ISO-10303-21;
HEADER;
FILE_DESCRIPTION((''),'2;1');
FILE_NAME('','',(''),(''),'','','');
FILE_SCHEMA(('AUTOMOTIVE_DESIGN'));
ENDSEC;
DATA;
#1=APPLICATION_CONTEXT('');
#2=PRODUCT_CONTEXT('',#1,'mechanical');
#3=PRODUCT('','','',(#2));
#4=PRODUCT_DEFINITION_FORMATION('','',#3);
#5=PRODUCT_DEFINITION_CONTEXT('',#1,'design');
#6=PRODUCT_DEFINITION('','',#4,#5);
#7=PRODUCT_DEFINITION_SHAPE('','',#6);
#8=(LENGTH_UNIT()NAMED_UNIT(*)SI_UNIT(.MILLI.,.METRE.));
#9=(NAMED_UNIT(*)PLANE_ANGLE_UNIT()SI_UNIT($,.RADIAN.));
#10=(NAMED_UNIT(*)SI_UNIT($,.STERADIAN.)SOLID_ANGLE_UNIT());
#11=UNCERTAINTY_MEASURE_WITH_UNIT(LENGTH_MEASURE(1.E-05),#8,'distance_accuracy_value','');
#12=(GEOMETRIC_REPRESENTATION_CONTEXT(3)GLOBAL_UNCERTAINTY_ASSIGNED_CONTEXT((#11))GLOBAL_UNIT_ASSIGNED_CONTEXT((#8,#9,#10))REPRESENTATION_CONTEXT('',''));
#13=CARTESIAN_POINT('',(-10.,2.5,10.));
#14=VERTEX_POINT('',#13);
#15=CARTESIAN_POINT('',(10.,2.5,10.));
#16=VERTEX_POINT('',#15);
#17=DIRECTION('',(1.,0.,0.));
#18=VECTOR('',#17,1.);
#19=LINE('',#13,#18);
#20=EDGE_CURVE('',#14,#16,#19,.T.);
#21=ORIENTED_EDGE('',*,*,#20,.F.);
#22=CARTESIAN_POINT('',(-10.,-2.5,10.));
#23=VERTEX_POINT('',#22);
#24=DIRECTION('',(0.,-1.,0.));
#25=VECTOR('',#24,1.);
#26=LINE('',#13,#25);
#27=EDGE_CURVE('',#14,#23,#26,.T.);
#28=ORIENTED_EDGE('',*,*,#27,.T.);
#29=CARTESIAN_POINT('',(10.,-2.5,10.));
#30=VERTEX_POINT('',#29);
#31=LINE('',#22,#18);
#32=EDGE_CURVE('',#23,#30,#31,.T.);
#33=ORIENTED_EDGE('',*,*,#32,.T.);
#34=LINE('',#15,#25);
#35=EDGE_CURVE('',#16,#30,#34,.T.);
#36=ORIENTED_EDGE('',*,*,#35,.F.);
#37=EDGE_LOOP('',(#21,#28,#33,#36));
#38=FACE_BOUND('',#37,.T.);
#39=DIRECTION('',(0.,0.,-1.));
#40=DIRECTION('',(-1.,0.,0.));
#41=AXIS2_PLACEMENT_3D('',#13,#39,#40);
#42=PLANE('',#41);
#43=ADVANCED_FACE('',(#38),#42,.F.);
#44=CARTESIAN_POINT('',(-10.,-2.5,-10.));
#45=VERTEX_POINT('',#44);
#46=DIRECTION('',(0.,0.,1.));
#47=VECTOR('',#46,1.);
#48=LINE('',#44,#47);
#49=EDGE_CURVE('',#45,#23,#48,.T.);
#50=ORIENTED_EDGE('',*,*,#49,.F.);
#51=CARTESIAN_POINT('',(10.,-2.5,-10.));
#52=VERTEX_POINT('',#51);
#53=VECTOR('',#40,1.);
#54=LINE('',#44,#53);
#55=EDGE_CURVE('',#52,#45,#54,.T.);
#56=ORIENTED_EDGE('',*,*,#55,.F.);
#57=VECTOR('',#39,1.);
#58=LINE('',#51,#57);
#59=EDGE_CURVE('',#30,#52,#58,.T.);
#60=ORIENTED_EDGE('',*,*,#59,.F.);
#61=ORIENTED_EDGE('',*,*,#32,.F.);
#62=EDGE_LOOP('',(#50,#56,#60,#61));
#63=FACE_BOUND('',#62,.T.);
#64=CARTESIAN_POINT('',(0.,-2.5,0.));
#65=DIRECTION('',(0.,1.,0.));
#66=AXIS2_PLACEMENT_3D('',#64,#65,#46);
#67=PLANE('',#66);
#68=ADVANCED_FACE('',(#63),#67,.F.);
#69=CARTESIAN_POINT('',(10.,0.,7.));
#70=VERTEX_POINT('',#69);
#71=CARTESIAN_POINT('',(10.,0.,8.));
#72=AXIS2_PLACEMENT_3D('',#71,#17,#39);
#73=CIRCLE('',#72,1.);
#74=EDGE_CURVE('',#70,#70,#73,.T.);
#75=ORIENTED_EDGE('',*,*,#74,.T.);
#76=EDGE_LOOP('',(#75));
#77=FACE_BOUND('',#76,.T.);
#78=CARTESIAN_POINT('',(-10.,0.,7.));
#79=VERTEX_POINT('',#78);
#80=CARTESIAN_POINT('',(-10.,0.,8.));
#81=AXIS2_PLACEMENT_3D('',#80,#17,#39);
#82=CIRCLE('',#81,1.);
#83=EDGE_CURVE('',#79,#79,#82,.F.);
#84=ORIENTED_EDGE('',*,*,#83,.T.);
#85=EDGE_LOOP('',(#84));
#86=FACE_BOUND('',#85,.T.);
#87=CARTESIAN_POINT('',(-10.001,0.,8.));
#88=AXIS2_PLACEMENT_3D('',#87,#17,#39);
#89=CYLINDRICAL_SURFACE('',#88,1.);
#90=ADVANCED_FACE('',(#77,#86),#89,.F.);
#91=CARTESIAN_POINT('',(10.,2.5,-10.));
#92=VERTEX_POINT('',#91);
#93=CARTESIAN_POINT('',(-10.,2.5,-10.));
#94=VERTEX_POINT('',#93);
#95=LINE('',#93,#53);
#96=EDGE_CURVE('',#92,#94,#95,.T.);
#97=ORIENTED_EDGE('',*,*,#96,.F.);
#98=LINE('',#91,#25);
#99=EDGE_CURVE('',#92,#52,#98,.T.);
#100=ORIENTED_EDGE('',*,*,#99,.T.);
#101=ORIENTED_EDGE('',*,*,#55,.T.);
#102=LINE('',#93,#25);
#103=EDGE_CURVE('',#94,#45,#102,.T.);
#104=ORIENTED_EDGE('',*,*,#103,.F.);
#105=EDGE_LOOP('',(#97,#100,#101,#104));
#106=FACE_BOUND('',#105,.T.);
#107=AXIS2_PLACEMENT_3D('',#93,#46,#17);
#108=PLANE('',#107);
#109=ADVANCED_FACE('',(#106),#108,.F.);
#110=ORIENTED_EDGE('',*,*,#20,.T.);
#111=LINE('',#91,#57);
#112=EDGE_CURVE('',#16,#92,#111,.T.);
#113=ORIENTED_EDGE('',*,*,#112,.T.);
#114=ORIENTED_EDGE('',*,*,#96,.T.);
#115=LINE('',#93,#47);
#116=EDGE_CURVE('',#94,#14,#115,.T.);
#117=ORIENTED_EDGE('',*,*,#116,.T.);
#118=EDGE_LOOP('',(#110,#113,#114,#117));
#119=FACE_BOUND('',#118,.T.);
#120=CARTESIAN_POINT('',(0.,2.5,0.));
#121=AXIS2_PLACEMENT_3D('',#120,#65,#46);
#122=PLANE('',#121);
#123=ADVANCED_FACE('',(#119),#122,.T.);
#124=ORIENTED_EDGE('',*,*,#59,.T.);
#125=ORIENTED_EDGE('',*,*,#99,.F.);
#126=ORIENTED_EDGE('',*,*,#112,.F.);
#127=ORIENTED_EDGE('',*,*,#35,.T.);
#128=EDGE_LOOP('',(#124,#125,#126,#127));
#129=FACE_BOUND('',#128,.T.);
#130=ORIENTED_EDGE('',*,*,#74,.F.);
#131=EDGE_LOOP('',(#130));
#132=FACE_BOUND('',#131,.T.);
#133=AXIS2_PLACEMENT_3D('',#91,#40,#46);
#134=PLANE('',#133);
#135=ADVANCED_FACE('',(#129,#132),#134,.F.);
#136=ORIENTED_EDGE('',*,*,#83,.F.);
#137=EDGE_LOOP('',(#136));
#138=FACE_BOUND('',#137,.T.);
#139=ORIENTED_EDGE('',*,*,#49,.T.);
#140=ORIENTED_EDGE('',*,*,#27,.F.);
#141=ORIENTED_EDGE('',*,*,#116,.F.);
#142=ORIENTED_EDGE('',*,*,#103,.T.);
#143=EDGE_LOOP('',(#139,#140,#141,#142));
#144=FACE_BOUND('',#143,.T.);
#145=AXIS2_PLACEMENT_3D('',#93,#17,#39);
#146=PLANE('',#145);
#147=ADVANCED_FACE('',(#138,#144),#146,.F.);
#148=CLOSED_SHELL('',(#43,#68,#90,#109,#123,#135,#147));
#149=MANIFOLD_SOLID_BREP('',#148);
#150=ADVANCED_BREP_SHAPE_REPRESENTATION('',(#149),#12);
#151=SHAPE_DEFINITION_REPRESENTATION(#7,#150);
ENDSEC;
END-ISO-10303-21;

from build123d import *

# Parameters (mm, degrees)
SKETCH1_W           = 20
SKETCH1_H           = 20
BOSS_EXTRUDE1_DEPTH = 2.5
CUT_EXTRUDE1_REACH  = 24.5
SKETCH2_R           = 1


with BuildPart() as part:
    # Sketch1 → Boss-Extrude1 (new, symmetric)
    with BuildSketch(Plane(origin=(0, 0, 0), x_dir=(1, 0, 0), z_dir=(0, 1, 0))):
        Rectangle(SKETCH1_W, SKETCH1_H)
    extrude(amount=BOSS_EXTRUDE1_DEPTH, both=True)

    # Sketch2 → Cut-Extrude1 (cut, up to next)
    with BuildSketch(Plane(origin=(10, 0, 0), x_dir=(0, 0, -1), z_dir=(1, 0, 0)), mode=Mode.PRIVATE) as cut_extrude1_sk1:
        with Locations((-8, 0)):
            Circle(SKETCH2_R)
    cut_extrude1_tool1 = extrude(cut_extrude1_sk1.sketch, amount=-CUT_EXTRUDE1_REACH, mode=Mode.PRIVATE) & part.part
    add(cut_extrude1_tool1.solids().sort_by_distance((10, 0, 8))[0], mode=Mode.SUBTRACT)


solid = part.part
